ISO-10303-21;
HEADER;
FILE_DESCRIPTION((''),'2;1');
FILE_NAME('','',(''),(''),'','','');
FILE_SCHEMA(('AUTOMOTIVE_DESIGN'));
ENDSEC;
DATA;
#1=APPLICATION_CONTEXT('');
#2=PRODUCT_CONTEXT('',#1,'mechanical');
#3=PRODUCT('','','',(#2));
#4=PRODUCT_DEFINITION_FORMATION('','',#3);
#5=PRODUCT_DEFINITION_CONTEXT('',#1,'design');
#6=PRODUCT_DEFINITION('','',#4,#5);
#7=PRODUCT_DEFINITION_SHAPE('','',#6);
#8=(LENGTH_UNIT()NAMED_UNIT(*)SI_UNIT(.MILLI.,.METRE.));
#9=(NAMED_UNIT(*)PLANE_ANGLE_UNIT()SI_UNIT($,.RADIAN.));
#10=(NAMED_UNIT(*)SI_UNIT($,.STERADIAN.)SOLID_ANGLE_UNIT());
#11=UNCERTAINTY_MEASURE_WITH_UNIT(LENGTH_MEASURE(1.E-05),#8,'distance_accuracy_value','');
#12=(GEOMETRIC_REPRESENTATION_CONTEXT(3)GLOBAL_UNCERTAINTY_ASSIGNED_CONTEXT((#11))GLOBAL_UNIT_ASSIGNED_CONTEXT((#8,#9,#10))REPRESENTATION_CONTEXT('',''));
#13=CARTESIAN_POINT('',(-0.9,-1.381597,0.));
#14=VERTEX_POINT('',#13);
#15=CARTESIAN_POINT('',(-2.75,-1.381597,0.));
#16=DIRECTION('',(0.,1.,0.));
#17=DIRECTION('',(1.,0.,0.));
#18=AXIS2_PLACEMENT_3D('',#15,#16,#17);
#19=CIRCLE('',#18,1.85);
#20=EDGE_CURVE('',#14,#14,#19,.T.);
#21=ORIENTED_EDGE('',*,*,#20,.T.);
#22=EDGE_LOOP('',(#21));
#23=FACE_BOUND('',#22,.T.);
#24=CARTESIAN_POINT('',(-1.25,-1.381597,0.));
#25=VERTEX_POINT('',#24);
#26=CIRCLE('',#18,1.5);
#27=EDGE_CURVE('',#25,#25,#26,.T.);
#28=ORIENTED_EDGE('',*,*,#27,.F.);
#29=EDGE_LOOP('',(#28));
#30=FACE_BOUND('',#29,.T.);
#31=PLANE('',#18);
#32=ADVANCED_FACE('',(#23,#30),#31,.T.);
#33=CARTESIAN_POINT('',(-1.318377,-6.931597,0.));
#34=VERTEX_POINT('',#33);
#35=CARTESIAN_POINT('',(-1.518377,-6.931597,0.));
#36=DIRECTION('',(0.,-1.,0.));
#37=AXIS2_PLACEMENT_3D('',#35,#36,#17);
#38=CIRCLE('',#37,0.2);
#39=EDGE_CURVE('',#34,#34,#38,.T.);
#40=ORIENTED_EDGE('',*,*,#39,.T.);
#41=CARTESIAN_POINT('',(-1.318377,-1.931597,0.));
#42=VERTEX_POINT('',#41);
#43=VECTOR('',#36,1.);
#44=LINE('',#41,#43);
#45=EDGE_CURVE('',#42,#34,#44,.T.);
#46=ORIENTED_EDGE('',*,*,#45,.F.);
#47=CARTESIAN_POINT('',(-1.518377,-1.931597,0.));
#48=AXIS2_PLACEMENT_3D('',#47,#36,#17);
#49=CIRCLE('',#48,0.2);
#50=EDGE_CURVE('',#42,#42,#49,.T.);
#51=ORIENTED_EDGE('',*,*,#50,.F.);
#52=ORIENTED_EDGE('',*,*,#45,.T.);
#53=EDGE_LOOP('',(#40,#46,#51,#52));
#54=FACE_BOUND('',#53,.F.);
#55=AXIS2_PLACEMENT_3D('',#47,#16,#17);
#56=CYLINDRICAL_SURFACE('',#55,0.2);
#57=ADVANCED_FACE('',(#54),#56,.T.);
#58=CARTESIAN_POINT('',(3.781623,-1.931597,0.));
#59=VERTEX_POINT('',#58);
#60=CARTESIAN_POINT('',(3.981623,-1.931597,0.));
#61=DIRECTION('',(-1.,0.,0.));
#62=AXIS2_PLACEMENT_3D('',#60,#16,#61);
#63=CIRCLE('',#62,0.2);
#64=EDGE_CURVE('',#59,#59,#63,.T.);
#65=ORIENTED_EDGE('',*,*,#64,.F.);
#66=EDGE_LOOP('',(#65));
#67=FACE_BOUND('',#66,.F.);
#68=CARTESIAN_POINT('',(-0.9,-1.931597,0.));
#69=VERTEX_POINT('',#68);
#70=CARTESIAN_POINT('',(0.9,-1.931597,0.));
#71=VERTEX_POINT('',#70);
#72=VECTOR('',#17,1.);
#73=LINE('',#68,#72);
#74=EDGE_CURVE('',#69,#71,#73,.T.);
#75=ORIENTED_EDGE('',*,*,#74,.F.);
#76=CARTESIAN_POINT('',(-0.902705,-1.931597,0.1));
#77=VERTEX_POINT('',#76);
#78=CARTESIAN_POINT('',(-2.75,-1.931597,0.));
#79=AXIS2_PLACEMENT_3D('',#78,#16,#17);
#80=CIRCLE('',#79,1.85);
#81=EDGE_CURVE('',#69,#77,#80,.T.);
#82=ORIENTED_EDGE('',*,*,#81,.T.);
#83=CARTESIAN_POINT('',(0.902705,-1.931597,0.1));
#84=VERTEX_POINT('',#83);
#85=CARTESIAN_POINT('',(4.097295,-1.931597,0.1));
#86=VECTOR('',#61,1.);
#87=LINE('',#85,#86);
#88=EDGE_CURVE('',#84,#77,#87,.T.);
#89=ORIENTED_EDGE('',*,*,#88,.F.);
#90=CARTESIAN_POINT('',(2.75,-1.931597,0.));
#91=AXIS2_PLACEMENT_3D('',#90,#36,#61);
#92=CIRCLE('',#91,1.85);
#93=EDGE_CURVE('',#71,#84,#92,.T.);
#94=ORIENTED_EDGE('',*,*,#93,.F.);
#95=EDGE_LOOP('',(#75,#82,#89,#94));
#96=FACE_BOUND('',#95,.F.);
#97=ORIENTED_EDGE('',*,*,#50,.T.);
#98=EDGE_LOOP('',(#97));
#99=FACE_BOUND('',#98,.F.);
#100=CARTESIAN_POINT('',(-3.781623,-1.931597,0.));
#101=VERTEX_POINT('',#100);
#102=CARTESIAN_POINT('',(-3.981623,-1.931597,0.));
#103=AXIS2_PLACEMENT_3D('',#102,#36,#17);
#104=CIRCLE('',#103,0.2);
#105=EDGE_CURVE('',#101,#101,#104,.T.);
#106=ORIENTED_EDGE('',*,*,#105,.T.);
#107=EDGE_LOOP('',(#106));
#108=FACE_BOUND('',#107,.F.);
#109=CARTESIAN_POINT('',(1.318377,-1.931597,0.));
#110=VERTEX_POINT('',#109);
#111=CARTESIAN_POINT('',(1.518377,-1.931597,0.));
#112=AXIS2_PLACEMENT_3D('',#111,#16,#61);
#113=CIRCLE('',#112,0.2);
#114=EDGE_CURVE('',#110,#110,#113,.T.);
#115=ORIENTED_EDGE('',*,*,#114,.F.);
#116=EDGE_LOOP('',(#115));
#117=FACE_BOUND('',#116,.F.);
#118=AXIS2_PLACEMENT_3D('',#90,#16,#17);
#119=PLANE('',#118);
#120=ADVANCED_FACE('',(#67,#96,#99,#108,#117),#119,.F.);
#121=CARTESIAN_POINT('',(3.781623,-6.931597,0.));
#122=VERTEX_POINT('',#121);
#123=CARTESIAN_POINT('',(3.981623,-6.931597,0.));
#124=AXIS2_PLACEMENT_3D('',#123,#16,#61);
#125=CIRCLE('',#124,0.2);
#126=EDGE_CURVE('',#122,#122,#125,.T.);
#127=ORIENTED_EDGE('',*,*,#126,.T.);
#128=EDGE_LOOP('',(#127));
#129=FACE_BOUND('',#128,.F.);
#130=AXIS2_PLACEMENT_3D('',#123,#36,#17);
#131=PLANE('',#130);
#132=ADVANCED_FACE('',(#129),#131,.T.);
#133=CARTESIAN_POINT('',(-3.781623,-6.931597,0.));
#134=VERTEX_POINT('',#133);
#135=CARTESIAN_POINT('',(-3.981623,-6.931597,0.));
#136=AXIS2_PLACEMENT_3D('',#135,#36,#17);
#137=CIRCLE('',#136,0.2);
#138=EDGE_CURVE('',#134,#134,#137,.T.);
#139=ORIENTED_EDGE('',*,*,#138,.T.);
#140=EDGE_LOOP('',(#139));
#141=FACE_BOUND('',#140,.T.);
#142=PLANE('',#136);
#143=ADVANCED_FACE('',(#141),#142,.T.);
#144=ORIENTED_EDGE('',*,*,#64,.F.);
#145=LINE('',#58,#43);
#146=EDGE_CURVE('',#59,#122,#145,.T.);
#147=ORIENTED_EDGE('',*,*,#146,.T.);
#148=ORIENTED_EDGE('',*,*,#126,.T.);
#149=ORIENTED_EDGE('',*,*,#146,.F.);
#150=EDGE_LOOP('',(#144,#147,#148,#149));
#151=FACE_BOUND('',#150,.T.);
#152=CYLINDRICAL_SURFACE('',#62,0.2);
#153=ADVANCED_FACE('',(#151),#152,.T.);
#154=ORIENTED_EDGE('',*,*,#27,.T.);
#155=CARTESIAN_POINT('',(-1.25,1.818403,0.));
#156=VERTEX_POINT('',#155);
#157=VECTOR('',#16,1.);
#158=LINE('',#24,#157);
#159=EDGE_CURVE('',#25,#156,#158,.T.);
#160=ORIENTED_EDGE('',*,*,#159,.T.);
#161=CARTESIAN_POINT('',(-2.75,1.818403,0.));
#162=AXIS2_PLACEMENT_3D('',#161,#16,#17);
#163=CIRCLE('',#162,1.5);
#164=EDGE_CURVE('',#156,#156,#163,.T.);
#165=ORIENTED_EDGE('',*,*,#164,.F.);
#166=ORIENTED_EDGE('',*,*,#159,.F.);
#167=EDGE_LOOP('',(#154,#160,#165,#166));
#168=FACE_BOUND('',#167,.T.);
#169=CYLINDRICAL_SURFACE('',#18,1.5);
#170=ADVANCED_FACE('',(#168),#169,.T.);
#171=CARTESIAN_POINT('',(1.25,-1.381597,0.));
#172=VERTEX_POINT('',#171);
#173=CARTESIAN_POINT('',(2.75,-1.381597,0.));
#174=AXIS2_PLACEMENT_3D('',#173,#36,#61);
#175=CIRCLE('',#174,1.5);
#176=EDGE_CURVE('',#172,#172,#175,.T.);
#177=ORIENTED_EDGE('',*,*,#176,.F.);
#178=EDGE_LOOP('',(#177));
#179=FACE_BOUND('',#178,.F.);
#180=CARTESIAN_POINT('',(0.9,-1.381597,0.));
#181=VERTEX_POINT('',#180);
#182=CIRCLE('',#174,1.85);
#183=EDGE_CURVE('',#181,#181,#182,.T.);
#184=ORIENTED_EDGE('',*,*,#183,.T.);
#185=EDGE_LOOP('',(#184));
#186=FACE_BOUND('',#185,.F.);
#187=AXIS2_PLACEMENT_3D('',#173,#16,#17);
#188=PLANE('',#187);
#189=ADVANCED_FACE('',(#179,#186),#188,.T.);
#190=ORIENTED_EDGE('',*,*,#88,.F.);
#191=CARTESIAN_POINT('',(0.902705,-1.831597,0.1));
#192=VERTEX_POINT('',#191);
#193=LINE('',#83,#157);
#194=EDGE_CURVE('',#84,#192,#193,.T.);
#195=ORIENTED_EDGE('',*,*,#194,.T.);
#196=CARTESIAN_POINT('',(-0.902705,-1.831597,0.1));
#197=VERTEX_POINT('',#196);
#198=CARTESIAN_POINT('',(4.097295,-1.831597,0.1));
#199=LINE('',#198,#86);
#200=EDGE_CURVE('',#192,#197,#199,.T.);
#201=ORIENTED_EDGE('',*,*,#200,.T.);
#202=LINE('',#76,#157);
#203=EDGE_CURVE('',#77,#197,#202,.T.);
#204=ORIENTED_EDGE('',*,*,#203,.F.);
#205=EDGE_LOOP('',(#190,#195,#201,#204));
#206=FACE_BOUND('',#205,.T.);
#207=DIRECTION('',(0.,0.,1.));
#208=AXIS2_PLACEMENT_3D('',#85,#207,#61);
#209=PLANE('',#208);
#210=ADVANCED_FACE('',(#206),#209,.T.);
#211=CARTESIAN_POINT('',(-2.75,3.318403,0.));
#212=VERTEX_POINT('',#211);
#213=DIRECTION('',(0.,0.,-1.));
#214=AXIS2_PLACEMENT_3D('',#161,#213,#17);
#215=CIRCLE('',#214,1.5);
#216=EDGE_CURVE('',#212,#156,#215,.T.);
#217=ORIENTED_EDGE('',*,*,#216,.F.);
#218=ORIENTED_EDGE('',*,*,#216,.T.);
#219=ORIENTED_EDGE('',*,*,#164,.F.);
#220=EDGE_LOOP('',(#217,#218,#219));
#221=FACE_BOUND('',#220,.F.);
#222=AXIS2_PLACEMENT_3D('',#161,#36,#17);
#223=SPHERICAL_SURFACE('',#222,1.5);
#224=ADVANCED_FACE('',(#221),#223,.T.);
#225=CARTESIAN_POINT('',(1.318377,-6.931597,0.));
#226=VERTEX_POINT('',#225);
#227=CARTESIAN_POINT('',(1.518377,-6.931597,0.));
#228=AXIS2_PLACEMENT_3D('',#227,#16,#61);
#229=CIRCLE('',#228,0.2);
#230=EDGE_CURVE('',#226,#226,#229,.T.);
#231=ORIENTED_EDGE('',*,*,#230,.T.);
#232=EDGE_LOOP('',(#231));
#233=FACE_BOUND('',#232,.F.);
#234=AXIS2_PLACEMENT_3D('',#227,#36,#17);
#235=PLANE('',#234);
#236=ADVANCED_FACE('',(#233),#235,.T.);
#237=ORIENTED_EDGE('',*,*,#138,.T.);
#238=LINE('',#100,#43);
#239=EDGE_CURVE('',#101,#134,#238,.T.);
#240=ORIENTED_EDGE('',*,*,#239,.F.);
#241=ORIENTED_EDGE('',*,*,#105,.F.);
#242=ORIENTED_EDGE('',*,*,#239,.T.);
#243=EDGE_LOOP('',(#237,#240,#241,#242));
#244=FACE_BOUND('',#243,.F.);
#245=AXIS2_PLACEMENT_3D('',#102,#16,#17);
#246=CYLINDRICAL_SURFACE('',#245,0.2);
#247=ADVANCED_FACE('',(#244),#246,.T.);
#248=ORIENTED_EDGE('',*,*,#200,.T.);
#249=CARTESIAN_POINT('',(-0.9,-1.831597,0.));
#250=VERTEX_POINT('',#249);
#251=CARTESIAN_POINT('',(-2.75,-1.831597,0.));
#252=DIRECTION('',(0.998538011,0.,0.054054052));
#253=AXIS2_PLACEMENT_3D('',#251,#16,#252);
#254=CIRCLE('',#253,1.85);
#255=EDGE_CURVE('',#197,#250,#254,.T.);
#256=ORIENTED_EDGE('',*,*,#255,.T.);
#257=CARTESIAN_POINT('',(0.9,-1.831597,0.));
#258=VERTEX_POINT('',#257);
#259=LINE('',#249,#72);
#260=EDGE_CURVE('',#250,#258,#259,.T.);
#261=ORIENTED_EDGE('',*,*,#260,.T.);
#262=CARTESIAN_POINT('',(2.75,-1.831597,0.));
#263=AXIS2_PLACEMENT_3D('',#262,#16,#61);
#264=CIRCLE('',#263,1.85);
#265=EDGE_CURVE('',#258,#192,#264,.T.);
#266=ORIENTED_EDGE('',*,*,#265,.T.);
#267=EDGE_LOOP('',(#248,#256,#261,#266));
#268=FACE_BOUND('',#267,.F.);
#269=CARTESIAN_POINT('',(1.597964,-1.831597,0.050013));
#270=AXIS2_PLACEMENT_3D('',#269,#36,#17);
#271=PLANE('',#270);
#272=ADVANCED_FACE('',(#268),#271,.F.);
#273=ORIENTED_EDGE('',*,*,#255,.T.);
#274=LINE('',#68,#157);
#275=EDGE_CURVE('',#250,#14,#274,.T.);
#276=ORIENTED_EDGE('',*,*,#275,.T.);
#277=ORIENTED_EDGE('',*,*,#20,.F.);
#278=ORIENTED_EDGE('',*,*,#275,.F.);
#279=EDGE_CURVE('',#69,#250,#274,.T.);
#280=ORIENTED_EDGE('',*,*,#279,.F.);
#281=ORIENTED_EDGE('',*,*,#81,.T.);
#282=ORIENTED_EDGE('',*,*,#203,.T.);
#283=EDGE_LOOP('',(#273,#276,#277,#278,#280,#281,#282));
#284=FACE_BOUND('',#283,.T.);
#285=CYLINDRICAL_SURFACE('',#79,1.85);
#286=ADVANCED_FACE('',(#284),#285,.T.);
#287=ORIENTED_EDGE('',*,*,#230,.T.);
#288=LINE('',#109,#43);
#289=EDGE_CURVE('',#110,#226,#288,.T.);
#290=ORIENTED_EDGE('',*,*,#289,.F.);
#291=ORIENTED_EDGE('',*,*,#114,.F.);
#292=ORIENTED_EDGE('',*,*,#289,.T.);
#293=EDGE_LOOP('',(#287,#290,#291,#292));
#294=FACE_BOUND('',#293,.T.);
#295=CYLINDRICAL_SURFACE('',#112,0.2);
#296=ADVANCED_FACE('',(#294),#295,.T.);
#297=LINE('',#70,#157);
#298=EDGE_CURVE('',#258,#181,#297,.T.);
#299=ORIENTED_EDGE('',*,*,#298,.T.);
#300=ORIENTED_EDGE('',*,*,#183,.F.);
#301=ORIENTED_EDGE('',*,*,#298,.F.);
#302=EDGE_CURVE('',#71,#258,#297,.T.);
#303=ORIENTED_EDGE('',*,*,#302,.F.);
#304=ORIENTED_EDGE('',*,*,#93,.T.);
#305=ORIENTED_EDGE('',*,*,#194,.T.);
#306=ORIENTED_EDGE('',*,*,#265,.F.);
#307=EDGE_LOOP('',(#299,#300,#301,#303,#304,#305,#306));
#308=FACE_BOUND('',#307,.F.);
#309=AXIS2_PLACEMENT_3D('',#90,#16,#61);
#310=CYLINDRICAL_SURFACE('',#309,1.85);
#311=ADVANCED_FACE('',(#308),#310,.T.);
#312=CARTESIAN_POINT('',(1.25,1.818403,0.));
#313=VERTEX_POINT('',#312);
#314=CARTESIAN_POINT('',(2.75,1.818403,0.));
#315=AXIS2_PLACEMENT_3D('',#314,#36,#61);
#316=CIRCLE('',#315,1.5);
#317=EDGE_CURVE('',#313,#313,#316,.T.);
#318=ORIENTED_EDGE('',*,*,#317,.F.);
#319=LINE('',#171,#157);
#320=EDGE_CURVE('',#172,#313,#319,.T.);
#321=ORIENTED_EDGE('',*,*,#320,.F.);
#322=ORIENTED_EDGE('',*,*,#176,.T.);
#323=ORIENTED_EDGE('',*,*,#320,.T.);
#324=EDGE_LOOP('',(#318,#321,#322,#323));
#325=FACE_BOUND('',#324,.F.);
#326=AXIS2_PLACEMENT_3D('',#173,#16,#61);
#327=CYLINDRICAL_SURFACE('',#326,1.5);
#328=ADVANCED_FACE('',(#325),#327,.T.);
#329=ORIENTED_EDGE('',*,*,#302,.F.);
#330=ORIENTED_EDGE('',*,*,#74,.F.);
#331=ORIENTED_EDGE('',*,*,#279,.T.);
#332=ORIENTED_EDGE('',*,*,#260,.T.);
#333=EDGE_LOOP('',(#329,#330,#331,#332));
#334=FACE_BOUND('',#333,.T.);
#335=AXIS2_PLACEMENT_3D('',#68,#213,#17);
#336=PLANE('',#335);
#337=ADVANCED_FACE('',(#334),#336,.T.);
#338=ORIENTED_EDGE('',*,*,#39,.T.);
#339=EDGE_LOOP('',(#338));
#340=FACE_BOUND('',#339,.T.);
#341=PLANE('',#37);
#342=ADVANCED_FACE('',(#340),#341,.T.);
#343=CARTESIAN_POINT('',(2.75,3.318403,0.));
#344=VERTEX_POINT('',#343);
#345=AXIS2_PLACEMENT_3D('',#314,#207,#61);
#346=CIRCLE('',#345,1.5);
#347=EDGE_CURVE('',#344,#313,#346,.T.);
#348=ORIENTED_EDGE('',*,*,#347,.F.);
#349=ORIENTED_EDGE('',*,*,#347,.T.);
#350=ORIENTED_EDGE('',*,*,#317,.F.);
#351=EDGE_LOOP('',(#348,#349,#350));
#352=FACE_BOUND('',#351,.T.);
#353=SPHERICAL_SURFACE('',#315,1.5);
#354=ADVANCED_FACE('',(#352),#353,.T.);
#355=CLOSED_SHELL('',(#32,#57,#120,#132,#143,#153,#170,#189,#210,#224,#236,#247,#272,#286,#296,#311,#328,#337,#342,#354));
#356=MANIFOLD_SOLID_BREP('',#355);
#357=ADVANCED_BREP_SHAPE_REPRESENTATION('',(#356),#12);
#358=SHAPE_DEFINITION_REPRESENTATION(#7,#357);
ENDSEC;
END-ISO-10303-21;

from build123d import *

# Parameters (mm, degrees)
F2_R     = 1.5
F3_R     = 0.2
F4_DEPTH = 5
F6_DEPTH = 0.1


with BuildPart() as f1:
    # F0 (on Top) → F1 (revolve)
    with BuildSketch(Plane.XY):
        Polygon((-1.25, 3.3184025263), (-2.75, 3.3184025263), (-2.75, -1.9315974737), (-1.25, -1.9315974737), (-0.9, -1.9315974737), (-0.9, -1.3815974737), (-1.25, -1.3815974737), align=None)
    revolve(axis=Axis((-2.75, 2.1103734641, 0), (0, 1, 0)))

    # F2
    f2_edges = [f1.edges().sort_by_distance(p)[0] for p in [
        (-4.25, 3.318403, 0),
    ]]
    fillet(f2_edges, radius=F2_R)

    # F3 (on face) → F4 (join)
    with BuildSketch(Plane.XZ.offset(1.9315974737)):
        with Locations((-1.5183771327, 0)):
            Circle(F3_R)
        with Locations((-3.9816228673, 0)):
            Circle(F3_R)
    extrude(amount=F4_DEPTH)


with BuildPart() as f5_1:
    # F5: instance of F1
    add(f1.part.mirror(Plane.YZ))


with BuildPart() as f1_1:
    add(f1.part)

    add(f5_1.part)  # F6 merges F5_1
    # F3 (on face) → F6 (join)
    with BuildSketch(Plane.XZ.offset(1.9315974737)):
        with BuildLine():
            Line((4.0972953202, 0.1), (-0.9027046798, 0.1))
            ThreePointArc((-0.9027046798, 0.1), (-0.9006762936, 0.0500182849), (-0.9, 0))
            Line((-0.9, 0), (4.0972953202, 0))
            Line((4.0972953202, 0), (4.0972953202, 0.1))
        make_face()
    extrude(amount=-F6_DEPTH)


solid = f1_1.part
